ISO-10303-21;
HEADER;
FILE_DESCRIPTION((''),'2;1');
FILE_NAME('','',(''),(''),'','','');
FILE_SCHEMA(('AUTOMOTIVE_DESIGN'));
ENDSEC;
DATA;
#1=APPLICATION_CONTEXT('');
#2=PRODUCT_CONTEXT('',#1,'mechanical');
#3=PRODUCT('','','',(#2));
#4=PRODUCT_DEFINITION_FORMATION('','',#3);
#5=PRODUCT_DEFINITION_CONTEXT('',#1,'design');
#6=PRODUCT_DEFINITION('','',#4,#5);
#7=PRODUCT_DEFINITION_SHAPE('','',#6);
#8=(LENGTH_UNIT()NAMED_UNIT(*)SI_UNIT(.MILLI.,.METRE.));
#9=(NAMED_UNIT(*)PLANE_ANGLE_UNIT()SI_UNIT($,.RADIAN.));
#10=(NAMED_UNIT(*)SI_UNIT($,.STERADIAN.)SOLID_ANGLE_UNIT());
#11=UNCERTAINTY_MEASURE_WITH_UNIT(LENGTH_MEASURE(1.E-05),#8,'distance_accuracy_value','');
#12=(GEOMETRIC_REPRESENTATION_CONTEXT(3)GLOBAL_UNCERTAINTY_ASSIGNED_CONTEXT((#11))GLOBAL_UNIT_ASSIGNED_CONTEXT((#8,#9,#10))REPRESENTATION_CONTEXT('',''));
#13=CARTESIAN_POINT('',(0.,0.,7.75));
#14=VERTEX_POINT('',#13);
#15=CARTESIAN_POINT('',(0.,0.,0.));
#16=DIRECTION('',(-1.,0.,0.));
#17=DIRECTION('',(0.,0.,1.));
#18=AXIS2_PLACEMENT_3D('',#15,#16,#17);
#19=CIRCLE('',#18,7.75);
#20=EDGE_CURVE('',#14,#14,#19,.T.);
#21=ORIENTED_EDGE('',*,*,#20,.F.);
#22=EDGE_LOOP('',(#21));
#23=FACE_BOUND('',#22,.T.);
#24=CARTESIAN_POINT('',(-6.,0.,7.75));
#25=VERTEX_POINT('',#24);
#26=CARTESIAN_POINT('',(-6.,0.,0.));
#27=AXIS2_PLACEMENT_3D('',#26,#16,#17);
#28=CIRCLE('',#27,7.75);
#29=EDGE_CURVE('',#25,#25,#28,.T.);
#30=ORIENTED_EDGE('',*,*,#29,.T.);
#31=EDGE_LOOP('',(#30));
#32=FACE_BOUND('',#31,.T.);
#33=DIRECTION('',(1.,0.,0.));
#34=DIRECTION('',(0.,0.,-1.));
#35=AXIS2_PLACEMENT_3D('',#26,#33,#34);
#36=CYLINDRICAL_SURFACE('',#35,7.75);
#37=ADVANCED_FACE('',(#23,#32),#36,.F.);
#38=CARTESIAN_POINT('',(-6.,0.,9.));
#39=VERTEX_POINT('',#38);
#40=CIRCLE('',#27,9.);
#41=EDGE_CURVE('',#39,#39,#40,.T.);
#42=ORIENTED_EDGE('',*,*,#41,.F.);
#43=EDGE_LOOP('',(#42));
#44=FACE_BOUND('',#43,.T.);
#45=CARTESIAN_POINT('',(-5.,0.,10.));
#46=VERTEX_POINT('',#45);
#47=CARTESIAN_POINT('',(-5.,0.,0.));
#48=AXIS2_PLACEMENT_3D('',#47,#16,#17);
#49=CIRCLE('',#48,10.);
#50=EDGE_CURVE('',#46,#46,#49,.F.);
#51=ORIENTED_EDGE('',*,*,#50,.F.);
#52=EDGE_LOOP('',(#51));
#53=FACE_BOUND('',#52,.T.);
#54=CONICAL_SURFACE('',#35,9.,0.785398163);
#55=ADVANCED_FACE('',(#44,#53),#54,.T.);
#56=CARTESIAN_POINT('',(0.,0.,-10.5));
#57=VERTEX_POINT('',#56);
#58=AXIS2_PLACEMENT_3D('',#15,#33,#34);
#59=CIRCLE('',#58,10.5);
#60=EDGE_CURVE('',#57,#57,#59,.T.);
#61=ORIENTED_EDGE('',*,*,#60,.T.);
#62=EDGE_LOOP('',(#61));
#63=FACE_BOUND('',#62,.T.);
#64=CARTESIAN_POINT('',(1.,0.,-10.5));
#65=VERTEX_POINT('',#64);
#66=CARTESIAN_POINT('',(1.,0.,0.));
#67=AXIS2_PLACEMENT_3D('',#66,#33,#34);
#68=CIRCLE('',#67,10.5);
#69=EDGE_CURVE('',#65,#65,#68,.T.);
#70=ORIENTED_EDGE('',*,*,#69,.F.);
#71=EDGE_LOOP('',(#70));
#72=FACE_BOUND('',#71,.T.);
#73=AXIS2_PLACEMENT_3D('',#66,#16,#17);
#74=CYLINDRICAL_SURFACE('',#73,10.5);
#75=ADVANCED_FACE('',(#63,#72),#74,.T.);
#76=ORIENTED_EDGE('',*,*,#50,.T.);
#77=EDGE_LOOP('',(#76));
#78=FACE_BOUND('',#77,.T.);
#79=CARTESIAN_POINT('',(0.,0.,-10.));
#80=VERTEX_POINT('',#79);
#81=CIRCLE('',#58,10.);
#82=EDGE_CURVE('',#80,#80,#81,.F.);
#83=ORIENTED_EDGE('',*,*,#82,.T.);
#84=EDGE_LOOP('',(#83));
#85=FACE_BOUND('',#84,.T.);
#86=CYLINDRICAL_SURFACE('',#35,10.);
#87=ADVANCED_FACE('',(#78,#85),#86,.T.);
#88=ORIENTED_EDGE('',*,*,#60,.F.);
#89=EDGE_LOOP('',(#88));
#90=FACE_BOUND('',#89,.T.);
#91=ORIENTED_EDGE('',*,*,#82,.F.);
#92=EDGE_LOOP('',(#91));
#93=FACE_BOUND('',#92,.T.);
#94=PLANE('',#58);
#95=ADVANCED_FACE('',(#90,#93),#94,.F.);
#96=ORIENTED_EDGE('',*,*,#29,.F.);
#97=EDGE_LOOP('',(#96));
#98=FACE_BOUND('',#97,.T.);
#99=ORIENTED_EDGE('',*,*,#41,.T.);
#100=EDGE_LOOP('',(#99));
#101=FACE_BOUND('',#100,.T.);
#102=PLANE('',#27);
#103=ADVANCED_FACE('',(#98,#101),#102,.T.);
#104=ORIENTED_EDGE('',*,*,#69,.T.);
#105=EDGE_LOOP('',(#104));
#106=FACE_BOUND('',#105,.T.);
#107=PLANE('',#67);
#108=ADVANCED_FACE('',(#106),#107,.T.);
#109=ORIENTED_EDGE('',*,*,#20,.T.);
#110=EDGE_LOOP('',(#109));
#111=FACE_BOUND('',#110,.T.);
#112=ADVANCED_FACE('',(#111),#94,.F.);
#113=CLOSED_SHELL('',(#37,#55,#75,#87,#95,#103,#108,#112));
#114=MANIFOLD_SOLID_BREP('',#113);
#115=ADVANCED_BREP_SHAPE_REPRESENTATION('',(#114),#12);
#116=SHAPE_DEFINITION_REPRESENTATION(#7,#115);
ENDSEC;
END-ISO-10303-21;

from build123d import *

# Parameters (mm, degrees)
ESQUISSE1_R      = 10.5
EXTRUSION1_DEPTH = 1
ESQUISSE2_R      = 10
ESQUISSE2_R_2    = 7.75
EXTRUSION2_DEPTH = 6
CHANFREIN1_SIZE  = 1


with BuildPart() as part:
    # Esquisse1 → Extrusion1 (new body)
    with BuildSketch(Plane(origin=(0, 0, 0), x_dir=(0, 0, -1), z_dir=(1, 0, 0))):
        Circle(ESQUISSE1_R)
    extrude(amount=EXTRUSION1_DEPTH)

    # Esquisse2 → Extrusion2 (add)
    with BuildSketch(Plane.ZY):
        with Locations(Location((0, 0, 0), (0, 0, 180))):  # turned: the seam where the file's is
            Circle(ESQUISSE2_R)
        Circle(ESQUISSE2_R_2, mode=Mode.SUBTRACT)
    extrude(amount=EXTRUSION2_DEPTH)

    # Chanfrein1
    chanfrein1_edges = [part.edges().sort_by_distance(p)[0] for p in [
        (-6, 0, 10),
    ]]
    chamfer(chanfrein1_edges, length=CHANFREIN1_SIZE)


solid = part.part
